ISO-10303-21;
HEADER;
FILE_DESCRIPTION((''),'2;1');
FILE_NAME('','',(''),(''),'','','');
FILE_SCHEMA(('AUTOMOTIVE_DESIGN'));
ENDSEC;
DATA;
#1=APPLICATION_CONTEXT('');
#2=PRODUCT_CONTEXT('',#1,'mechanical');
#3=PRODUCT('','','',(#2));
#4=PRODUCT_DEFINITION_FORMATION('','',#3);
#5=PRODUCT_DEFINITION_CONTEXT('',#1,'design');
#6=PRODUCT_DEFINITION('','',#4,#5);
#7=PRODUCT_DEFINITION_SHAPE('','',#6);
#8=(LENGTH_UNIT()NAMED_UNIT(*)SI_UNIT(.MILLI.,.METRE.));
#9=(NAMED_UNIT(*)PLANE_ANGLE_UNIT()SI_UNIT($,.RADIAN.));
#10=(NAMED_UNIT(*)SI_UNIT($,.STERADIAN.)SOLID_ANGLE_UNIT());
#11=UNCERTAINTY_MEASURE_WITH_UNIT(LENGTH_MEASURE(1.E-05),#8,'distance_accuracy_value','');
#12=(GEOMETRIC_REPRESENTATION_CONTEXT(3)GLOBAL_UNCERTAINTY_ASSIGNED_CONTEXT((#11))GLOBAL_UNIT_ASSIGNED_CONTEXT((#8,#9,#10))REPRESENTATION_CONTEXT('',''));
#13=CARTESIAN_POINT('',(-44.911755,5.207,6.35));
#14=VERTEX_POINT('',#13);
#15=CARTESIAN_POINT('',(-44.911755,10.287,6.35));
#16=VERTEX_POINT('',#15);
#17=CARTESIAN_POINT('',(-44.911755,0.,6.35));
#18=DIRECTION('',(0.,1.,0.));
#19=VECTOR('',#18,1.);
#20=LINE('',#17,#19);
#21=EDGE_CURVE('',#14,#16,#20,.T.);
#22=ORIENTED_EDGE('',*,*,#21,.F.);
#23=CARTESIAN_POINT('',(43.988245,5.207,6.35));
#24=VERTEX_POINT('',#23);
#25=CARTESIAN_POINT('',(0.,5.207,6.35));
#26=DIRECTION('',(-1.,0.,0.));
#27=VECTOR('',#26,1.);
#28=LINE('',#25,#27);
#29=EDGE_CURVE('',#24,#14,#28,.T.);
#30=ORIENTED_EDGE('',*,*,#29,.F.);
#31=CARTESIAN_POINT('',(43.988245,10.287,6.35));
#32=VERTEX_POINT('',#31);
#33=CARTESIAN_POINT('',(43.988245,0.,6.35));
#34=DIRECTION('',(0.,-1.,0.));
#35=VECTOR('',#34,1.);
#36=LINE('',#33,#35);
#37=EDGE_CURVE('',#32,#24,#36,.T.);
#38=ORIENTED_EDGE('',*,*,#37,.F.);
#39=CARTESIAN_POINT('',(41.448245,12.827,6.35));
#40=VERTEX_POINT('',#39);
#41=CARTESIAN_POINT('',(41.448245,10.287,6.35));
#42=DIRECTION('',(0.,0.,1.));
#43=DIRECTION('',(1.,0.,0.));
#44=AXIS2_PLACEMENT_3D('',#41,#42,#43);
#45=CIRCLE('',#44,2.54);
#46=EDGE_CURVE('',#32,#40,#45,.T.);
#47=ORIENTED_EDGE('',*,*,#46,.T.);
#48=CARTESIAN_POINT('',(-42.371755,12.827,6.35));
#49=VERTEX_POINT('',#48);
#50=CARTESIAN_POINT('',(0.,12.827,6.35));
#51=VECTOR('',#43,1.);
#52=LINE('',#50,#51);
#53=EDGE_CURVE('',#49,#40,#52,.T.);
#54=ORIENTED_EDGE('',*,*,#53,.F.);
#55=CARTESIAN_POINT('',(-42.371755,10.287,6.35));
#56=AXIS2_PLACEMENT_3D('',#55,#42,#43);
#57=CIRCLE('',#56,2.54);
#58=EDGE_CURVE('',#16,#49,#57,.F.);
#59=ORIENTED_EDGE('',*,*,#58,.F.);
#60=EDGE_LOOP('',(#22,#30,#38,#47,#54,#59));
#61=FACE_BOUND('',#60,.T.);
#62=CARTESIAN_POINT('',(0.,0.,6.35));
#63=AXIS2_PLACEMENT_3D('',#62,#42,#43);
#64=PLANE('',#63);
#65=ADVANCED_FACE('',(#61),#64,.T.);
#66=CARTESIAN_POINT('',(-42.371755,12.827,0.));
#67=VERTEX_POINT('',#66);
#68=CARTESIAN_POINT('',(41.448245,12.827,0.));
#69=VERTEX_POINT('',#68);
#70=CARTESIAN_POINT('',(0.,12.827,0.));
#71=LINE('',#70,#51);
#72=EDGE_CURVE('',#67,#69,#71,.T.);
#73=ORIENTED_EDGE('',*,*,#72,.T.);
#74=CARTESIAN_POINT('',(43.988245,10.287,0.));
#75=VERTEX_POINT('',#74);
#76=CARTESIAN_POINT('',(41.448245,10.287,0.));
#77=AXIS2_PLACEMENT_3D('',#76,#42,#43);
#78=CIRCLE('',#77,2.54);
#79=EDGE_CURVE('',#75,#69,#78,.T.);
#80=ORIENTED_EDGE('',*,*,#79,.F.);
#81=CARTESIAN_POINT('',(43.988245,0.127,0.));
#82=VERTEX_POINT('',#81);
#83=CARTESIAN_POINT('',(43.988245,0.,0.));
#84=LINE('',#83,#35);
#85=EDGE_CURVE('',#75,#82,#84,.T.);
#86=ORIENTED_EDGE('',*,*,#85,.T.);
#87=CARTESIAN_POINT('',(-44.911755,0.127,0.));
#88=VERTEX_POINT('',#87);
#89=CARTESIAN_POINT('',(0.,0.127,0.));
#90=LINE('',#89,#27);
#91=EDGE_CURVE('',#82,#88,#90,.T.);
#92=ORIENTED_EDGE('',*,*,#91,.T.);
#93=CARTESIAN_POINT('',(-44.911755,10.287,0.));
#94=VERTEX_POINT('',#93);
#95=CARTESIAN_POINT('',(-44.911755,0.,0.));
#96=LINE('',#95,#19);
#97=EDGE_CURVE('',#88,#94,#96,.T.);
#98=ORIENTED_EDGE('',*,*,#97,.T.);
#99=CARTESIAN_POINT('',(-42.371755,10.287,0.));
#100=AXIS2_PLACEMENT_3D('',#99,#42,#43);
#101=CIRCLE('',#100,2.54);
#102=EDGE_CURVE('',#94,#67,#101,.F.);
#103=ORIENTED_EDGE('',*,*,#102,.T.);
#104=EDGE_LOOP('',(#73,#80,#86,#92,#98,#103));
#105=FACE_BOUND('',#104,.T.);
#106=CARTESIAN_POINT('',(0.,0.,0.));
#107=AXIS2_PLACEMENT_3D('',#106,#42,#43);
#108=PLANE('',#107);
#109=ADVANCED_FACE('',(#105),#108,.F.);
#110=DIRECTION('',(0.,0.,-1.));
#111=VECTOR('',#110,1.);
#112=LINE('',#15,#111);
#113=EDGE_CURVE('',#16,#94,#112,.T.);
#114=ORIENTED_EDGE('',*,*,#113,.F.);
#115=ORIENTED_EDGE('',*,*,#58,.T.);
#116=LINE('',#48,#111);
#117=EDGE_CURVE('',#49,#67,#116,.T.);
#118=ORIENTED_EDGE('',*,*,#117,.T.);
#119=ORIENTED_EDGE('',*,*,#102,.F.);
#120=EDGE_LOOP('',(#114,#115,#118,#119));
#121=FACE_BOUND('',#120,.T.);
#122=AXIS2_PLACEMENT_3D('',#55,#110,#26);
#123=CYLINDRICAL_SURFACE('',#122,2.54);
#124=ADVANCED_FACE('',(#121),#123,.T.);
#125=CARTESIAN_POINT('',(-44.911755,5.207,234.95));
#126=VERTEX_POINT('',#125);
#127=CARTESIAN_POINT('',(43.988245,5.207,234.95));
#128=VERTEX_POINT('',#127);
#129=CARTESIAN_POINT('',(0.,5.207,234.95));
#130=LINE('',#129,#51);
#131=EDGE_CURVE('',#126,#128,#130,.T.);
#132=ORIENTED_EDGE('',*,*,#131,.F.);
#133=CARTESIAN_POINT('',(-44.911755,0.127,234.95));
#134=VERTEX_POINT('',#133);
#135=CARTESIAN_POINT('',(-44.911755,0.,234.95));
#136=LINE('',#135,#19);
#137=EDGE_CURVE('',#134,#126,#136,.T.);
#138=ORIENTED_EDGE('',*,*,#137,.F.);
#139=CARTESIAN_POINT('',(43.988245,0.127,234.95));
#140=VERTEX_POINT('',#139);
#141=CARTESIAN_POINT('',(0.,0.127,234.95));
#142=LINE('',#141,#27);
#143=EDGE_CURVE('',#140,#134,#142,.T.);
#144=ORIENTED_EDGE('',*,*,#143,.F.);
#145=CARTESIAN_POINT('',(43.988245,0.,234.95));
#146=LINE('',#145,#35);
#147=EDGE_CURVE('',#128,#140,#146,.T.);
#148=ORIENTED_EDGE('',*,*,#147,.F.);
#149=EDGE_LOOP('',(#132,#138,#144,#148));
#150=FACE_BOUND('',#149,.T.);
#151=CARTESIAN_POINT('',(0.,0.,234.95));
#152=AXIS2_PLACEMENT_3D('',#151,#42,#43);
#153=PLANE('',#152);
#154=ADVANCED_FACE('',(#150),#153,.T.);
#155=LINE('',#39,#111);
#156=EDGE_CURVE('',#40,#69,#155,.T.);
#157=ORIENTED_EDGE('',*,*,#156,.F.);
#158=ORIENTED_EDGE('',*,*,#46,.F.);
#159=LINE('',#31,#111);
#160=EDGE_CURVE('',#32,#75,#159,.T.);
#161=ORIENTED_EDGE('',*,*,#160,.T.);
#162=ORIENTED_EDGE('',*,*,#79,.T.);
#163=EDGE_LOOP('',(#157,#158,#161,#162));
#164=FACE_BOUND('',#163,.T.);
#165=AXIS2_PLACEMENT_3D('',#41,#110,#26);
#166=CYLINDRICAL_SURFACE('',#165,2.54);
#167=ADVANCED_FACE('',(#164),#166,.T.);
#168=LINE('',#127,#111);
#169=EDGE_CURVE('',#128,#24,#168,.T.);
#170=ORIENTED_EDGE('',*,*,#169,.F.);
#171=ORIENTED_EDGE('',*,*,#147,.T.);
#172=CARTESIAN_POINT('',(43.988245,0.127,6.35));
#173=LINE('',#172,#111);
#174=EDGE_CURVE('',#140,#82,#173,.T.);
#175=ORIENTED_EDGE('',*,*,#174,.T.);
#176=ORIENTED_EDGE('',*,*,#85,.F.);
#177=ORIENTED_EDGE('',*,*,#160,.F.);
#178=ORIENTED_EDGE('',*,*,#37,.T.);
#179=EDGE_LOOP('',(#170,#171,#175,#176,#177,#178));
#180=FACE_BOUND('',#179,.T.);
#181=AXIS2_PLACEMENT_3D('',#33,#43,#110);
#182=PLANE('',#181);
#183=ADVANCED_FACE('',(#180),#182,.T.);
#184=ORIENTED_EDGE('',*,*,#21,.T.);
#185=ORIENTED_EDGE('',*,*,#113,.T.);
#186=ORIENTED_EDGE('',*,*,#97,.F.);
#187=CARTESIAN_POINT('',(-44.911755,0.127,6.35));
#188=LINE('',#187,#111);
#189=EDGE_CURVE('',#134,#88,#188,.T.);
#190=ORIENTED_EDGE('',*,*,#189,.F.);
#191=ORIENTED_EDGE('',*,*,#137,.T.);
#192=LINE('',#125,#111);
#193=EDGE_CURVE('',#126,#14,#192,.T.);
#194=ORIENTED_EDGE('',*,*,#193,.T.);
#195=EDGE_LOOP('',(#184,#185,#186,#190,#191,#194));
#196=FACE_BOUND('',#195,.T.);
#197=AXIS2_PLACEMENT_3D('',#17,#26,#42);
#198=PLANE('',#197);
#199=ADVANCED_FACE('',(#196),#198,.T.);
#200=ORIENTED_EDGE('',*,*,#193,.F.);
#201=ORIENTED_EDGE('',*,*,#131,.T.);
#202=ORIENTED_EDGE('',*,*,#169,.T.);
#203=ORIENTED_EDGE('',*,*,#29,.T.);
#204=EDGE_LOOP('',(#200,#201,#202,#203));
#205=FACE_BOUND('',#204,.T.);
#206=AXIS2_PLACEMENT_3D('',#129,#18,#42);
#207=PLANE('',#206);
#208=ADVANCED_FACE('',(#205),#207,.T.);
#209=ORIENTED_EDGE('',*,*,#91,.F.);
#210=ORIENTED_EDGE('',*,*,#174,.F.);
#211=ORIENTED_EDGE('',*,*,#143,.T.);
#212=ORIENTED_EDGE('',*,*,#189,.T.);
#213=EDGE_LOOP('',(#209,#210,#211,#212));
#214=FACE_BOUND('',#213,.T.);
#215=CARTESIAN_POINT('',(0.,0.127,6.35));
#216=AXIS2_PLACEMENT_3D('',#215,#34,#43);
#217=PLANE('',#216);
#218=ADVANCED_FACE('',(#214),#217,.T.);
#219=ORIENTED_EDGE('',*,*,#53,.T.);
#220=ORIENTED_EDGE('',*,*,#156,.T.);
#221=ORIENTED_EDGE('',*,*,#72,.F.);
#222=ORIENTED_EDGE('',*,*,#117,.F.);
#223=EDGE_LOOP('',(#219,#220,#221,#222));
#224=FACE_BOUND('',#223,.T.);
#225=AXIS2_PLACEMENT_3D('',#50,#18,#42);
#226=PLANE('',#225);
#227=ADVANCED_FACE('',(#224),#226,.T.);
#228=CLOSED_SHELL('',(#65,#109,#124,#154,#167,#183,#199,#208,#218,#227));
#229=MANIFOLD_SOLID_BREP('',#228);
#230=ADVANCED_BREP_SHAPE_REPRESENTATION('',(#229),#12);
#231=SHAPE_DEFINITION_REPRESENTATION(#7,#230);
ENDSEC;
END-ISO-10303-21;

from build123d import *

# Parameters (mm, degrees)
SLIDING_DOOR_HOLDER_DEPTH = 6.35
SKETCH1_5_W               = 88.9
SKETCH1_5_H               = 5.08
SLIDING_DOOR_DEPTH        = 234.95


with BuildPart() as part:
    # Sliding Door Sketch → Sliding Door Holder (new body)
    with BuildSketch(Plane.XY):
        with BuildLine():
            Line((-44.91175508, 0.127), (43.98824492, 0.127))
            Line((43.98824492, 0.127), (43.98824492, 10.287))
            ThreePointArc((43.98824492, 10.287), (43.244296144, 12.083051224), (41.44824492, 12.827))
            Line((41.44824492, 12.827), (-42.37175508, 12.827))
            ThreePointArc((-42.37175508, 12.827), (-44.167806304, 12.083051224), (-44.91175508, 10.287))
            Line((-44.91175508, 10.287), (-44.91175508, 0.127))
        make_face()
    extrude(amount=SLIDING_DOOR_HOLDER_DEPTH)

    # Sketch1<5> → Sliding Door (add)
    with BuildSketch(Plane.XY):
        with Locations((-0.46175508, 2.667)):
            Rectangle(SKETCH1_5_W, SKETCH1_5_H)
    extrude(amount=SLIDING_DOOR_DEPTH)


solid = part.part
